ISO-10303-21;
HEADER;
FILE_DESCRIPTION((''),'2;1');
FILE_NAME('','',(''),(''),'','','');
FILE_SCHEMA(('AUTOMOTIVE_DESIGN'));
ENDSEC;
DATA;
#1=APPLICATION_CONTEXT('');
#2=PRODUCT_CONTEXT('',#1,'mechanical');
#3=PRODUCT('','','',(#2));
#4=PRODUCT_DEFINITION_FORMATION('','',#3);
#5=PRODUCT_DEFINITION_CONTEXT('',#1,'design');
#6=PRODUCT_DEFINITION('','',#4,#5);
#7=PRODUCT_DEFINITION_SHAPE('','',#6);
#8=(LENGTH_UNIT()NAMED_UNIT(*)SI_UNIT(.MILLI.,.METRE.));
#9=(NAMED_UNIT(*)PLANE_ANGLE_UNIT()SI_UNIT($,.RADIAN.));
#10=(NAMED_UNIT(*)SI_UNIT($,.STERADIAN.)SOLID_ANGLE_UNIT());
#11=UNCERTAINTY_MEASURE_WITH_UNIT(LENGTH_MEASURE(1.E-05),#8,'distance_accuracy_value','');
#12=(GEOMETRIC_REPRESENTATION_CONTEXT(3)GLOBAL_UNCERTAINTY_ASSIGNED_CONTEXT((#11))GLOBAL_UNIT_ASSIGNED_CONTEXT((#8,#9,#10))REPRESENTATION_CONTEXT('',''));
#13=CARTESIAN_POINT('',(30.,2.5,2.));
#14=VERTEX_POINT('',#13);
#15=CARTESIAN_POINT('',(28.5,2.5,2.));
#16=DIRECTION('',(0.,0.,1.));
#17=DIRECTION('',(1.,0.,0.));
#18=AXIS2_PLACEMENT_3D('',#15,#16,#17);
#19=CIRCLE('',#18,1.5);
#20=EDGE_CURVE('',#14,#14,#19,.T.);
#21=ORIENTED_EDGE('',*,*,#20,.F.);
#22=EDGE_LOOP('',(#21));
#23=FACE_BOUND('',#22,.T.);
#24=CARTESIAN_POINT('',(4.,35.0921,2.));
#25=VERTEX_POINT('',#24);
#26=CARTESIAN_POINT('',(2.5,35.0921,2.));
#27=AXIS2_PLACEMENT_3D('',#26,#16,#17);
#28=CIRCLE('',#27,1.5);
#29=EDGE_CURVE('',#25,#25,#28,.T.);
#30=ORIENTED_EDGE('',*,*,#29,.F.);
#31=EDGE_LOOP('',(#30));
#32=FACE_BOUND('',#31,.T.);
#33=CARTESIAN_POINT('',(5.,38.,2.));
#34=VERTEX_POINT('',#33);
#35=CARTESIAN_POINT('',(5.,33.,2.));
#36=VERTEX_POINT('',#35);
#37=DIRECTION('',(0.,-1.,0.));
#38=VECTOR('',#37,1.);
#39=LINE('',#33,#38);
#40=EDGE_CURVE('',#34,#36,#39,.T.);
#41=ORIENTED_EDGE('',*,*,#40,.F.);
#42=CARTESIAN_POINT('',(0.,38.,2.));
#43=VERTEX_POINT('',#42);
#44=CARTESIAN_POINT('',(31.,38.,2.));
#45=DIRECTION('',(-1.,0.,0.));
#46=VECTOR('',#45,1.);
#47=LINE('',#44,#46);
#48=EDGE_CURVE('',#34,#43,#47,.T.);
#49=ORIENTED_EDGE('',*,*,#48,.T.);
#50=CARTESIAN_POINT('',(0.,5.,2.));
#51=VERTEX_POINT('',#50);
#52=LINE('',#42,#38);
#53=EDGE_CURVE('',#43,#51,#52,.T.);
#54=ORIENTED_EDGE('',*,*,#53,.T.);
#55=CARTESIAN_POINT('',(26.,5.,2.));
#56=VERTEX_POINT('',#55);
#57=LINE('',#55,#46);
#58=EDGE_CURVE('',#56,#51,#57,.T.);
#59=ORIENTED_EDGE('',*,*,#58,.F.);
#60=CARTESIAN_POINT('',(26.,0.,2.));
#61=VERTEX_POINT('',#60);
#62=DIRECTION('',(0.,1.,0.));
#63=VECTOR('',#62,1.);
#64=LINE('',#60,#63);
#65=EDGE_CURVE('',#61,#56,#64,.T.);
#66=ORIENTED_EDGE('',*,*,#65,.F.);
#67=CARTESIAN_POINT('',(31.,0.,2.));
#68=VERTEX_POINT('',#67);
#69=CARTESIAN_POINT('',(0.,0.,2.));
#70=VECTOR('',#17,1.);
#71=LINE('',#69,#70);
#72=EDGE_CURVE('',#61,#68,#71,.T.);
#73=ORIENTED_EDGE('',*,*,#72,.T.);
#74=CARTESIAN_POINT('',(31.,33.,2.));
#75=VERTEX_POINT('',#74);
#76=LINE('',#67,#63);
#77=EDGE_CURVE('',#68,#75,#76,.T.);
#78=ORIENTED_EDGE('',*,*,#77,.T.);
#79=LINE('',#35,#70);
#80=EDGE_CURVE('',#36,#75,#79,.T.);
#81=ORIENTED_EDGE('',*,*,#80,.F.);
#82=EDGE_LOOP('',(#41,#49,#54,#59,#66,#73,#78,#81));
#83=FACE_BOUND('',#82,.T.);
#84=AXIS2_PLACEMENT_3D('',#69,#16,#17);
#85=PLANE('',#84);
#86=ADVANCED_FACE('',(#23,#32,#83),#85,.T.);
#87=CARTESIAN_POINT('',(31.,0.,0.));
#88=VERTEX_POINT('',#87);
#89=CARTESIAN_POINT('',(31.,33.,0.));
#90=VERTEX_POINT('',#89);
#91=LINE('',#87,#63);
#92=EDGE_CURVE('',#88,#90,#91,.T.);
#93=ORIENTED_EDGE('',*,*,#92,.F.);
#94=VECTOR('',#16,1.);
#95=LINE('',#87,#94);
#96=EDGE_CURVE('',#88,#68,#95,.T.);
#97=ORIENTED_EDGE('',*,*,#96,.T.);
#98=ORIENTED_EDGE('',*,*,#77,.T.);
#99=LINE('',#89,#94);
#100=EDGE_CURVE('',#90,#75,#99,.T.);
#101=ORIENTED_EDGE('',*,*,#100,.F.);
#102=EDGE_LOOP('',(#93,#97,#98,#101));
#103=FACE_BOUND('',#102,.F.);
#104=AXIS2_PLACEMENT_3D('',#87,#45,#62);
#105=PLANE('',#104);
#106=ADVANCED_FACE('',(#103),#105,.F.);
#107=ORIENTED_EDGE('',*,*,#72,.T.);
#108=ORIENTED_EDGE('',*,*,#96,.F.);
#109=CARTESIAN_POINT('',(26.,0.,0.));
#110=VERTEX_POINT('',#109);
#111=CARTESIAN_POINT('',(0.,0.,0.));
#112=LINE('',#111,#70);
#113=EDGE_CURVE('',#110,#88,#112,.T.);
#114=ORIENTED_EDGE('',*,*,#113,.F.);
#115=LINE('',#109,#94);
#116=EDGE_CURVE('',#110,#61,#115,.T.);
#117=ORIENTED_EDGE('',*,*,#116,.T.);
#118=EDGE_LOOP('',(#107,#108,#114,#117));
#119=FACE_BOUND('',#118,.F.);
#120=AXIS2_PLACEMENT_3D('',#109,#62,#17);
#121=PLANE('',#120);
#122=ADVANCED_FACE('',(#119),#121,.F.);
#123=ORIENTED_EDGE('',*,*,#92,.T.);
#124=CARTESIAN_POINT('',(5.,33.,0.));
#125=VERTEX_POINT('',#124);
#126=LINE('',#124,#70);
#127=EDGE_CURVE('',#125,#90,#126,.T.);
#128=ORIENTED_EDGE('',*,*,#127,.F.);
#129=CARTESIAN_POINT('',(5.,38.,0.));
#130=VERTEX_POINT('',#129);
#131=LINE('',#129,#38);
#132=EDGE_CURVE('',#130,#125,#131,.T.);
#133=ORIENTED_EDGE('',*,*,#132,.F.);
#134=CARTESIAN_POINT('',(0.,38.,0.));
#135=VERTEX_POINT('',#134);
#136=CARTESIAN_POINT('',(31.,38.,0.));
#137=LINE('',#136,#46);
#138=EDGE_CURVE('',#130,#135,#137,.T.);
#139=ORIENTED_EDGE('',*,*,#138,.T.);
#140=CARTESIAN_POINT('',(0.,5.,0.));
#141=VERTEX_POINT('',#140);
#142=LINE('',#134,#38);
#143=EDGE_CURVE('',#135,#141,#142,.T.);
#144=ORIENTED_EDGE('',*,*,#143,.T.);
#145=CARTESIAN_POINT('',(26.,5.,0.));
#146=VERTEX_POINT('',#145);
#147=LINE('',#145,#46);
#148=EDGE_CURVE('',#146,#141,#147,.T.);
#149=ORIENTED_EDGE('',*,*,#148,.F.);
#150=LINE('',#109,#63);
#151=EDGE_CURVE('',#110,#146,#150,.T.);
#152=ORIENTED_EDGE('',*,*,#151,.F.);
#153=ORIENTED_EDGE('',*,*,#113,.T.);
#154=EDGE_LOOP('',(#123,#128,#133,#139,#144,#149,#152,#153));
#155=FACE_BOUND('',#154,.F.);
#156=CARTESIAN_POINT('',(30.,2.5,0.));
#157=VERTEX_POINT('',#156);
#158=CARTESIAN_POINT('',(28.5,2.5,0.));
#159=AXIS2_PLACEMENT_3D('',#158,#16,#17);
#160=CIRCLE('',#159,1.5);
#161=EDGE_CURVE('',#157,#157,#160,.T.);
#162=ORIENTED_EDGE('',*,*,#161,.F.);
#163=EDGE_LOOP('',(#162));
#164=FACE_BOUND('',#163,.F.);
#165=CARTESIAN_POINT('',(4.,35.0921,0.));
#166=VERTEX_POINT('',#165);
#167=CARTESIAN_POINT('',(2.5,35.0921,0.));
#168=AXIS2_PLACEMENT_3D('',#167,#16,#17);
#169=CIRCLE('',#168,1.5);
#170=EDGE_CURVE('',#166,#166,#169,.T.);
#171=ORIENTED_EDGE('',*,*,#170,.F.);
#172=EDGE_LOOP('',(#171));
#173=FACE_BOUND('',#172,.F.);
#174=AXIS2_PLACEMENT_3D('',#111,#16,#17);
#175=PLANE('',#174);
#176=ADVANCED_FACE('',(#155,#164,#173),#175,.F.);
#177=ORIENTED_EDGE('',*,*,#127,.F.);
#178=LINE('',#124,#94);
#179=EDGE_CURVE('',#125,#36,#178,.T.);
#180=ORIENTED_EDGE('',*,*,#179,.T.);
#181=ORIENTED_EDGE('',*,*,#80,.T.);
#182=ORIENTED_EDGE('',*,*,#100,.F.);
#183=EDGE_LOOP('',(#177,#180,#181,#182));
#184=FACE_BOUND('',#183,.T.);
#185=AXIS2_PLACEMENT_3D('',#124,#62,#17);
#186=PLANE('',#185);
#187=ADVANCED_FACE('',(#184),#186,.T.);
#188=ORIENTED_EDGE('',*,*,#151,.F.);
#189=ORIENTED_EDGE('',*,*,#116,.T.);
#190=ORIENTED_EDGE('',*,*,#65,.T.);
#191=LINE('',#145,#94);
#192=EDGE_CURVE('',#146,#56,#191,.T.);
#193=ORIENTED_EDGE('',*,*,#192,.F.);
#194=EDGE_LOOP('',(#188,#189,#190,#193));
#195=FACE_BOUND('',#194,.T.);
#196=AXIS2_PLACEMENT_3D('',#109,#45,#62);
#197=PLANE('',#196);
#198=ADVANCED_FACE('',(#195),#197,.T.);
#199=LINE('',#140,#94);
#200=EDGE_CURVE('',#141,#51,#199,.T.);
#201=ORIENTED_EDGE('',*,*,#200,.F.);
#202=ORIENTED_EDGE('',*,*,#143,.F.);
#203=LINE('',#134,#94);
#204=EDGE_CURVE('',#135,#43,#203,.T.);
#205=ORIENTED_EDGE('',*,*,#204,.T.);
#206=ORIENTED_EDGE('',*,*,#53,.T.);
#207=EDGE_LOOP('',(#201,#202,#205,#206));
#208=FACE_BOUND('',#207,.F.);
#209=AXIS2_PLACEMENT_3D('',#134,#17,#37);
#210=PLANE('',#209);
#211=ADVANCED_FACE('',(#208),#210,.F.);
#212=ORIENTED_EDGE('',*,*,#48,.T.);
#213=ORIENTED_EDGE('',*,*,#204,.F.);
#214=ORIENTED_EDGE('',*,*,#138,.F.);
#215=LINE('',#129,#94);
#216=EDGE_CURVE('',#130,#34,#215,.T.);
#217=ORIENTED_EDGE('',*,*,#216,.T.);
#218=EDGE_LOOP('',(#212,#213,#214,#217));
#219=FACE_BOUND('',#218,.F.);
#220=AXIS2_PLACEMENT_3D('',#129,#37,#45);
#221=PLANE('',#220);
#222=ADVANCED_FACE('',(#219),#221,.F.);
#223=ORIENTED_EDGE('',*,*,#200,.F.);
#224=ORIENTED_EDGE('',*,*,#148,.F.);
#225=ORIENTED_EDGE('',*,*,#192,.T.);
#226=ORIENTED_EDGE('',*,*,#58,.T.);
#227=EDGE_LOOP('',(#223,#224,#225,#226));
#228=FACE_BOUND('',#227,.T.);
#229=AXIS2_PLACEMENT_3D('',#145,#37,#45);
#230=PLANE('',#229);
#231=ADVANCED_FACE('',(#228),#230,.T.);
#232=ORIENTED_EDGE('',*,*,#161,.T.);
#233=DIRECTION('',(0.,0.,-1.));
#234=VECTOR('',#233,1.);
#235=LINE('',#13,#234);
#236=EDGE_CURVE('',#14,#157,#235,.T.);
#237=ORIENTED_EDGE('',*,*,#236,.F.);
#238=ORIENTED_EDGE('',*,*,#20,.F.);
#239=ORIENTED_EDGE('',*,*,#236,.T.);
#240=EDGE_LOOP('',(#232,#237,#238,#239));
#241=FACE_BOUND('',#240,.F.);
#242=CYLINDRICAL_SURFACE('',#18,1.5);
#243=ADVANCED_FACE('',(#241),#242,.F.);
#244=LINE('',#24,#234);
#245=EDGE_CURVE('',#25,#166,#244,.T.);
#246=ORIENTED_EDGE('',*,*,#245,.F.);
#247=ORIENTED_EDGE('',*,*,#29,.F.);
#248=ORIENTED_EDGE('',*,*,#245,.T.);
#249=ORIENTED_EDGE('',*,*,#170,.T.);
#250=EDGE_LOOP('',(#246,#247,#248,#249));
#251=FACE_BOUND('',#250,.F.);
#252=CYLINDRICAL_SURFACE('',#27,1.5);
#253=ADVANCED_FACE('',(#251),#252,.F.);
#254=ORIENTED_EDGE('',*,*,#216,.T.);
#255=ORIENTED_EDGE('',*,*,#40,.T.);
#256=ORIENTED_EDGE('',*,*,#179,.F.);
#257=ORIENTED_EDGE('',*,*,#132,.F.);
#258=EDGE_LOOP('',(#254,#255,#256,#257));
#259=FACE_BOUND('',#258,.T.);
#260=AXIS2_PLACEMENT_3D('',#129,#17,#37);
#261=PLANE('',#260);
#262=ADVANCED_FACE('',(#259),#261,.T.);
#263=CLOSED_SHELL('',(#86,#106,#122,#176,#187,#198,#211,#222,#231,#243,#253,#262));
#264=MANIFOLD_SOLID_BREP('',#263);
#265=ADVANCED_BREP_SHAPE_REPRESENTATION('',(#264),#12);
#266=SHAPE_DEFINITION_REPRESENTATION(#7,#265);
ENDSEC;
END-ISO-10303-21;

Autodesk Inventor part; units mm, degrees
ref_plane "YZ Plane" through (0, 0, 0) normal (1, 0, 0) x (0, 1, 0)
ref_plane "XZ Plane" through (0, 0, 0) normal (0, 1, 0) x (-1, 0, 0)
ref_plane "XY Plane" through (0, 0, 0) normal (0, 0, 1) x (1, 0, 0)
sketch "Sketch1" plane through (0, 0, 0) normal (0, 0, 1) x (1, 0, 0)
  line L0 (0, 0) -> (31, 0)
  line L1 (31, 0) -> (31, 38)
  line L2 (31, 38) -> (0, 38)
  line L3 (0, 38) -> (0, 0)
  line L4 (31, 38) -> (5, 38)
  line L5 (5, 38) -> (5, 33)
  line L6 (5, 33) -> (31, 33)
  line L7 (31, 33) -> (31, 38)
  line L8 (0, 0) -> (26, 0)
  line L9 (26, 0) -> (26, 5)
  line L10 (26, 5) -> (0, 5)
  line L11 (0, 5) -> (0, 0)
  dimension "d0" = 31
  dimension "d1" = 38
  dimension "d3" = 5
  dimension "d4" = 5
  dimension "d5" = 5
  dimension "d6" = 5
extrude "Extrusion1" add sketch "Sketch1" along normal blind 2 contours L9 L10 L3 L2 L5 L6 L1 L0
sketch "Sketch2" plane through (0, 0, 2) normal (0, 0, 1) x (1, 0, 0)
  line L0 (26, 5) -> (26, 0) projected
  line L1 (26, 0) -> (31, 0) projected
  line L2 (31, 0) -> (31, 33) projected
  line L3 (31, 33) -> (5, 33) projected
  line L4 (5, 33) -> (5, 38) projected
  line L5 (5, 38) -> (0, 38) projected
  line L6 (0, 38) -> (0, 5) projected
  line L7 (0, 5) -> (26, 5) projected
  circle A0 centre (2.5, 35.0921) radius 1.5
  circle A1 centre (28.5, 2.5) radius 1.5
  point P0 (0, 0)
  dimension "d9" = 3
  dimension "d10" = 3
extrude "Extrusion2" cut sketch "Sketch2" against normal blind 2 contours A0 | A1
properties part number "00_cellstorm_Amplifier"
